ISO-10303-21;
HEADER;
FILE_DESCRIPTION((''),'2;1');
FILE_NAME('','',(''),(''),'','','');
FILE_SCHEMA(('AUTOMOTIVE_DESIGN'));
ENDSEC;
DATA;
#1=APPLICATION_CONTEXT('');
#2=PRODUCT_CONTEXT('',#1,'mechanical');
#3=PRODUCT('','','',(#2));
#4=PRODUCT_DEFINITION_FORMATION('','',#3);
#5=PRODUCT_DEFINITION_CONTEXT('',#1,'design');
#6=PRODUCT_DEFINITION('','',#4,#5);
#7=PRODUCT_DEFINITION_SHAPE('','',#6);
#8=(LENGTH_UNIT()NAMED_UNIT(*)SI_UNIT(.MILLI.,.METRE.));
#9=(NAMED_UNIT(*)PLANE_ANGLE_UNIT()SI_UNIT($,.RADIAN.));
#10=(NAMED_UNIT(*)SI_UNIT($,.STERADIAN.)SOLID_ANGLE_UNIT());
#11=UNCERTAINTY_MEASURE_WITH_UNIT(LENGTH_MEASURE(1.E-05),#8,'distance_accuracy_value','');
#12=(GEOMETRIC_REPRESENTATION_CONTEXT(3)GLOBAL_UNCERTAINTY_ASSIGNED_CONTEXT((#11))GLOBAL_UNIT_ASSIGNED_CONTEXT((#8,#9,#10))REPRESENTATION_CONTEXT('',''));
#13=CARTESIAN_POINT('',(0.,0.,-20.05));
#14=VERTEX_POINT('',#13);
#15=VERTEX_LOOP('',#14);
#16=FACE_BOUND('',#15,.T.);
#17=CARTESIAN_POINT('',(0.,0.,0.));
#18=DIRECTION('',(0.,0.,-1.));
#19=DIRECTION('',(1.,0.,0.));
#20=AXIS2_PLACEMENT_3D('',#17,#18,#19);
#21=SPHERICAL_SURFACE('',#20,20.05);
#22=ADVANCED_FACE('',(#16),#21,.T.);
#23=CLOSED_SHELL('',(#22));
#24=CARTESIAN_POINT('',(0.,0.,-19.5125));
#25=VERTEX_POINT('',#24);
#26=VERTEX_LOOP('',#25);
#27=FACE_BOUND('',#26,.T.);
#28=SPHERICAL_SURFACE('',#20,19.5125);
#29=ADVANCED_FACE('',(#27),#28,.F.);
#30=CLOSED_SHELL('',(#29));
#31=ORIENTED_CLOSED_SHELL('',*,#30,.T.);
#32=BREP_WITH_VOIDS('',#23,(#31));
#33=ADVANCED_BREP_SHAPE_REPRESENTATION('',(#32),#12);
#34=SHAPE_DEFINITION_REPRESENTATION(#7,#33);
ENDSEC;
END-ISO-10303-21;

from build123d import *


with BuildPart() as part:
    # Sketch1 → Revolve1 (revolve)
    with BuildSketch(Plane(origin=(0, 0, 0), x_dir=(1, 0, 0), z_dir=(0, 1, 0))):
        with BuildLine():
            Line((0, 20.05), (0, 19.5125))
            ThreePointArc((0, 19.5125), (19.5125, 0), (0, -19.5125))
            Line((0, -19.5125), (0, -20.05))
            ThreePointArc((0, -20.05), (20.05, 0), (0, 20.05))
        make_face()
    revolve(axis=Axis((0, 0, -34.699535604), (0, 0, 1)))


solid = part.part
